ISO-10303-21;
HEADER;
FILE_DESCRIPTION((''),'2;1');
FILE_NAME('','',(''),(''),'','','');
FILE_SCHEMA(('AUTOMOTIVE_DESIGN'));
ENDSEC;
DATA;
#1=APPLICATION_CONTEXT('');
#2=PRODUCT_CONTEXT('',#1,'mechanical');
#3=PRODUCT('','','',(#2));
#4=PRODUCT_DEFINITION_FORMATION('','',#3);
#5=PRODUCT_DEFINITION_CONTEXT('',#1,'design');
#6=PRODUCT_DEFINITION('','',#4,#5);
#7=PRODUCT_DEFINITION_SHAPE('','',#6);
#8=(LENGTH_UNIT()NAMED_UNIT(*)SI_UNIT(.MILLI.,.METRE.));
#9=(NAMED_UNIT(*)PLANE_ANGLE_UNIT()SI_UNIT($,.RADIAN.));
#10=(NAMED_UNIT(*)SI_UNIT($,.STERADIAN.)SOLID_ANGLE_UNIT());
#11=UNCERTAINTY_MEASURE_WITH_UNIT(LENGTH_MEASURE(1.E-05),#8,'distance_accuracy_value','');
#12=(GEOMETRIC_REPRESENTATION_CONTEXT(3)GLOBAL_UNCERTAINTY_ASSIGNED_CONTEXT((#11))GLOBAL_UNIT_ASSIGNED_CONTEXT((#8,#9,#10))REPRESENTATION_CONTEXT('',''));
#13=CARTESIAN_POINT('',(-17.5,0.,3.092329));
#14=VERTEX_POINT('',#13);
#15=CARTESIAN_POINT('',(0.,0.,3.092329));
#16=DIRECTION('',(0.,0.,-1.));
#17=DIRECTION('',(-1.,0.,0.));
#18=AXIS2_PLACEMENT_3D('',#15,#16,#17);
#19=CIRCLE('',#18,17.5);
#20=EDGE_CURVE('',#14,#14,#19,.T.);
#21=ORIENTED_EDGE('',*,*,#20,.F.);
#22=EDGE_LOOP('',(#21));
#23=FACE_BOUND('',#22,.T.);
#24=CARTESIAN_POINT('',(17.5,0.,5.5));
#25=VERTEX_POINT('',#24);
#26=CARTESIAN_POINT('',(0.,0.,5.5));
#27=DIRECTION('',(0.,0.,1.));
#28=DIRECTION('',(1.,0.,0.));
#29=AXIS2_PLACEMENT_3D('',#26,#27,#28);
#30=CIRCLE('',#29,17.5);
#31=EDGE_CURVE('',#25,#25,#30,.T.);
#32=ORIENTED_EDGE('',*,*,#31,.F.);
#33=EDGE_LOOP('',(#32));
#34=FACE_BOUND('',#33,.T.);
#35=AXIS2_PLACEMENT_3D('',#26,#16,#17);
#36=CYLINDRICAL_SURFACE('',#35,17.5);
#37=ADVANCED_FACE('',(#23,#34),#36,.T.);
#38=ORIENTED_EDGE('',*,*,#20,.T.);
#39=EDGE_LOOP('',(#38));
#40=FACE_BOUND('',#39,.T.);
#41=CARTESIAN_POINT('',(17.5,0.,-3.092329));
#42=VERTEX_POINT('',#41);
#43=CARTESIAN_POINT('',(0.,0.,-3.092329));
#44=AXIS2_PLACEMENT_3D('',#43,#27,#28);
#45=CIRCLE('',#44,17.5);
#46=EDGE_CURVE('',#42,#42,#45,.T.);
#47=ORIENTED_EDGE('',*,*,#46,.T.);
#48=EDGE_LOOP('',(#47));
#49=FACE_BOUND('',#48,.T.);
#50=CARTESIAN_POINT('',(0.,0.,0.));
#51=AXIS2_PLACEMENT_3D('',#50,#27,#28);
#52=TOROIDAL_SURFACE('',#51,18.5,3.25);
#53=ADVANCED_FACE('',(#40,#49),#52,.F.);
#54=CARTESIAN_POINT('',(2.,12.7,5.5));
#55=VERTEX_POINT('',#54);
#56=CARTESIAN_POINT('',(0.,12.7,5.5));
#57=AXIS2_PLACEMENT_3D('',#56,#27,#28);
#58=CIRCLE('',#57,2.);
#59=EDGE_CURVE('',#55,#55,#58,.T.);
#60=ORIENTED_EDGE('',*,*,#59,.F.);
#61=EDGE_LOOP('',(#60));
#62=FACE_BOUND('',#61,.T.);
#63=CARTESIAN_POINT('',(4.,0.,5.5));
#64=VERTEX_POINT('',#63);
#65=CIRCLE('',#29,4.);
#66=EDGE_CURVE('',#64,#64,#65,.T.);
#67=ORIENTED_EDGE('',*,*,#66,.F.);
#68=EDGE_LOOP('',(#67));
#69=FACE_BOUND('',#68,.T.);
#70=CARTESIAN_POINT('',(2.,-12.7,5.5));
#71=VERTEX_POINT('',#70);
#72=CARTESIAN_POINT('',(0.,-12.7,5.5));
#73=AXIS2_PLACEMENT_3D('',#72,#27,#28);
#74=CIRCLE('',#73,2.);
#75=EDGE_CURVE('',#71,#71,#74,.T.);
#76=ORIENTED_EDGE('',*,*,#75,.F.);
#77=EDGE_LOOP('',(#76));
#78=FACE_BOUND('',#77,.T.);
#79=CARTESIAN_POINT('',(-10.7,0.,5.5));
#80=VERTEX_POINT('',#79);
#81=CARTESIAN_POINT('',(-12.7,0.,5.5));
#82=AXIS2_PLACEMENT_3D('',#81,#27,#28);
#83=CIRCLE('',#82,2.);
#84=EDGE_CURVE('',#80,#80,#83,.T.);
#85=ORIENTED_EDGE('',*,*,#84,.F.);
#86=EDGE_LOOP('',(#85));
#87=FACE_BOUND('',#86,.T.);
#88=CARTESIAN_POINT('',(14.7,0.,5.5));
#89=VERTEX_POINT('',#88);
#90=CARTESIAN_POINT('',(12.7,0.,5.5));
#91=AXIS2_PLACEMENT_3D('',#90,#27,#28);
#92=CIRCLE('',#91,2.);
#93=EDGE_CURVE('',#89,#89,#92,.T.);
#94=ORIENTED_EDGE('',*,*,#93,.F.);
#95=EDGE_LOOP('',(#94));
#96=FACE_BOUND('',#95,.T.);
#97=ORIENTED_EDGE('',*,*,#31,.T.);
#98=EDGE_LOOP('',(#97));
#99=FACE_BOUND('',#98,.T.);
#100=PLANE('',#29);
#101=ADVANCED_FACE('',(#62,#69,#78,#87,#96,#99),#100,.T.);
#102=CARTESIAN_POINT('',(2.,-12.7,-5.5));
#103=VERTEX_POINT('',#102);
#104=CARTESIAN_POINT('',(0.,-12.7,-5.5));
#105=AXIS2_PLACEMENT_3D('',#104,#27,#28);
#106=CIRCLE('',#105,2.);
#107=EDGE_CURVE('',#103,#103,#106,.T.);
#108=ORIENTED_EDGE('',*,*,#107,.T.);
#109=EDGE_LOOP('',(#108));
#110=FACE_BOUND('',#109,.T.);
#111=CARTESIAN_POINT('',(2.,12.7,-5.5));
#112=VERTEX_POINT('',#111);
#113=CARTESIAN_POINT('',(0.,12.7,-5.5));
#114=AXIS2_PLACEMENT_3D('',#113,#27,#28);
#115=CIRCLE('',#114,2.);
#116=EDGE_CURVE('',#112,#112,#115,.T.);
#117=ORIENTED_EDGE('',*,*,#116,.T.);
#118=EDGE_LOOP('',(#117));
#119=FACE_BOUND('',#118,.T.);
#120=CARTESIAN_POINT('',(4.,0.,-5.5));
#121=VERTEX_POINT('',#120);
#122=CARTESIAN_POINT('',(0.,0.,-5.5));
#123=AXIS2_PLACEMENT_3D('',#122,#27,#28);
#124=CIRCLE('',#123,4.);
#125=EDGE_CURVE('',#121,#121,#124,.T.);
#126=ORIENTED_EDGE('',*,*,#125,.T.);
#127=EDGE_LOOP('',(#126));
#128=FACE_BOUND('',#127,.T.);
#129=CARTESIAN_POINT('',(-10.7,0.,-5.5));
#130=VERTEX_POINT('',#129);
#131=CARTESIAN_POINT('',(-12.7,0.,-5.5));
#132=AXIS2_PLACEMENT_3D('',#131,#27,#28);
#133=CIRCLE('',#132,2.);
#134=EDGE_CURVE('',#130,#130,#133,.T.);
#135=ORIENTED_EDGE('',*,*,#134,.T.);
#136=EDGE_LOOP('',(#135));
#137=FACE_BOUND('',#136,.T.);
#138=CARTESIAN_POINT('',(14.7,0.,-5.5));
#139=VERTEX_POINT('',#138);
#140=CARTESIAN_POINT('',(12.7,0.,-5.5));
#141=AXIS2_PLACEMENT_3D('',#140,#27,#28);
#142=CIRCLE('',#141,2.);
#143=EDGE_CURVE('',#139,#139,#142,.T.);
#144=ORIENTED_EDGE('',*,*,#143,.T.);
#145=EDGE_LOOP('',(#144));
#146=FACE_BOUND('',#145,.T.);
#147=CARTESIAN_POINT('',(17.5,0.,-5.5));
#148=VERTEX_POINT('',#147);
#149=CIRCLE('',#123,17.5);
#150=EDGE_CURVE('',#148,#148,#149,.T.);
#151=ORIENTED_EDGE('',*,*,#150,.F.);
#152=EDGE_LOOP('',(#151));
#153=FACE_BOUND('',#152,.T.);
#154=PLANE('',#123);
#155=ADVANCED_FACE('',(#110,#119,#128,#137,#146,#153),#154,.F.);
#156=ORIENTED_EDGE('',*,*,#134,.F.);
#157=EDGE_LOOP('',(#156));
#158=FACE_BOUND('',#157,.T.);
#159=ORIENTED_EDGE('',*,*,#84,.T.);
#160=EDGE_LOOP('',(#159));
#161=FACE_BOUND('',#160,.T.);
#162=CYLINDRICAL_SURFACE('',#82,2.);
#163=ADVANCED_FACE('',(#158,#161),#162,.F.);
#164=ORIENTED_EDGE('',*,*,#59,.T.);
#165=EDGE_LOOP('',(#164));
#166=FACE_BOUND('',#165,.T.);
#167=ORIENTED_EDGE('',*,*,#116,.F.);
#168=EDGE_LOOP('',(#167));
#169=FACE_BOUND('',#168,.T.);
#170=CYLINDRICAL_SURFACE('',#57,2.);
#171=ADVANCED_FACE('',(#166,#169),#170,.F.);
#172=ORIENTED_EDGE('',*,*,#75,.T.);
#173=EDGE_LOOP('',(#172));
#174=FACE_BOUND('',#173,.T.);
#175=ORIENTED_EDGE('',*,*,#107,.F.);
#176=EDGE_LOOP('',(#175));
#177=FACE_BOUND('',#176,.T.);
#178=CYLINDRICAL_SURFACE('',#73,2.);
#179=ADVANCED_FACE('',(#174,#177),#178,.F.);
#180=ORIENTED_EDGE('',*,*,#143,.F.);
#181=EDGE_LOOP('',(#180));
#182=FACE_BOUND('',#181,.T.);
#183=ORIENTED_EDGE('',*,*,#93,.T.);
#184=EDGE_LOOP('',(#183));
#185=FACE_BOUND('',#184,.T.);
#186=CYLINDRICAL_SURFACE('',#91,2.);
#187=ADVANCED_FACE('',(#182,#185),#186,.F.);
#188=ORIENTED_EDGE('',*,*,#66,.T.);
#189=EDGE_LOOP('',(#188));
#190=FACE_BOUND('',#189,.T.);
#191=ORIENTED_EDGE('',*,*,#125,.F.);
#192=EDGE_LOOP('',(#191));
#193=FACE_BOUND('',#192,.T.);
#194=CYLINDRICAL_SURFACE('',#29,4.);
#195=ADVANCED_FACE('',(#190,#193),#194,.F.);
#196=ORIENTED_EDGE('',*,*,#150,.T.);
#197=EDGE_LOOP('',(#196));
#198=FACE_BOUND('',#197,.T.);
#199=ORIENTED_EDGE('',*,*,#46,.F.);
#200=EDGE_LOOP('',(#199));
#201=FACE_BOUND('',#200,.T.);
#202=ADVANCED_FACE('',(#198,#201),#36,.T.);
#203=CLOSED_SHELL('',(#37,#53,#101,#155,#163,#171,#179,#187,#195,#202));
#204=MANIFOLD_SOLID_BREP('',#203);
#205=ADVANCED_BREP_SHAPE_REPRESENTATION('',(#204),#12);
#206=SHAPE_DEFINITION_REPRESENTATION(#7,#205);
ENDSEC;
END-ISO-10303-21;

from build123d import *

# Parameters (mm, degrees)
SKETCH1_R             = 17.5
BOSS_EXTRUDE1_DEPTH   = 5.5
SKETCH2_R             = 3.25
F_8_0MM_DOWEL_HOLE1_D = 8
F_4_0MM_DOWEL_HOLE1_D = 4


with BuildPart() as part:
    # Sketch1 → Boss-Extrude1 (new body, symmetric)
    with BuildSketch(Plane.XY):
        Circle(SKETCH1_R)
    extrude(amount=BOSS_EXTRUDE1_DEPTH, both=True)

    # Sketch2 → Cut-Revolve1 (revolve, cut)
    with BuildSketch(Plane(origin=(0, 0, 0), x_dir=(0, 0, -1), z_dir=(1, 0, 0))):
        with Locations((0, 18.5)):
            Circle(SKETCH2_R)
    revolve(axis=Axis((0, 0, 0), (0, 0, -1)), mode=Mode.SUBTRACT)

    # Ø8.0mm Dowel Hole1 (through all)
    with Locations(Plane.XY.offset(5.5)):
        with Locations((0, 0)):
            Hole(F_8_0MM_DOWEL_HOLE1_D / 2)

    # Ø4.0mm Dowel Hole1 (through all)
    with Locations(Plane.XY.offset(5.5)):
        with Locations((0, 12.7), (12.7, 0), (0, -12.7), (-12.7, 0)):
            Hole(F_4_0MM_DOWEL_HOLE1_D / 2)


solid = part.part
